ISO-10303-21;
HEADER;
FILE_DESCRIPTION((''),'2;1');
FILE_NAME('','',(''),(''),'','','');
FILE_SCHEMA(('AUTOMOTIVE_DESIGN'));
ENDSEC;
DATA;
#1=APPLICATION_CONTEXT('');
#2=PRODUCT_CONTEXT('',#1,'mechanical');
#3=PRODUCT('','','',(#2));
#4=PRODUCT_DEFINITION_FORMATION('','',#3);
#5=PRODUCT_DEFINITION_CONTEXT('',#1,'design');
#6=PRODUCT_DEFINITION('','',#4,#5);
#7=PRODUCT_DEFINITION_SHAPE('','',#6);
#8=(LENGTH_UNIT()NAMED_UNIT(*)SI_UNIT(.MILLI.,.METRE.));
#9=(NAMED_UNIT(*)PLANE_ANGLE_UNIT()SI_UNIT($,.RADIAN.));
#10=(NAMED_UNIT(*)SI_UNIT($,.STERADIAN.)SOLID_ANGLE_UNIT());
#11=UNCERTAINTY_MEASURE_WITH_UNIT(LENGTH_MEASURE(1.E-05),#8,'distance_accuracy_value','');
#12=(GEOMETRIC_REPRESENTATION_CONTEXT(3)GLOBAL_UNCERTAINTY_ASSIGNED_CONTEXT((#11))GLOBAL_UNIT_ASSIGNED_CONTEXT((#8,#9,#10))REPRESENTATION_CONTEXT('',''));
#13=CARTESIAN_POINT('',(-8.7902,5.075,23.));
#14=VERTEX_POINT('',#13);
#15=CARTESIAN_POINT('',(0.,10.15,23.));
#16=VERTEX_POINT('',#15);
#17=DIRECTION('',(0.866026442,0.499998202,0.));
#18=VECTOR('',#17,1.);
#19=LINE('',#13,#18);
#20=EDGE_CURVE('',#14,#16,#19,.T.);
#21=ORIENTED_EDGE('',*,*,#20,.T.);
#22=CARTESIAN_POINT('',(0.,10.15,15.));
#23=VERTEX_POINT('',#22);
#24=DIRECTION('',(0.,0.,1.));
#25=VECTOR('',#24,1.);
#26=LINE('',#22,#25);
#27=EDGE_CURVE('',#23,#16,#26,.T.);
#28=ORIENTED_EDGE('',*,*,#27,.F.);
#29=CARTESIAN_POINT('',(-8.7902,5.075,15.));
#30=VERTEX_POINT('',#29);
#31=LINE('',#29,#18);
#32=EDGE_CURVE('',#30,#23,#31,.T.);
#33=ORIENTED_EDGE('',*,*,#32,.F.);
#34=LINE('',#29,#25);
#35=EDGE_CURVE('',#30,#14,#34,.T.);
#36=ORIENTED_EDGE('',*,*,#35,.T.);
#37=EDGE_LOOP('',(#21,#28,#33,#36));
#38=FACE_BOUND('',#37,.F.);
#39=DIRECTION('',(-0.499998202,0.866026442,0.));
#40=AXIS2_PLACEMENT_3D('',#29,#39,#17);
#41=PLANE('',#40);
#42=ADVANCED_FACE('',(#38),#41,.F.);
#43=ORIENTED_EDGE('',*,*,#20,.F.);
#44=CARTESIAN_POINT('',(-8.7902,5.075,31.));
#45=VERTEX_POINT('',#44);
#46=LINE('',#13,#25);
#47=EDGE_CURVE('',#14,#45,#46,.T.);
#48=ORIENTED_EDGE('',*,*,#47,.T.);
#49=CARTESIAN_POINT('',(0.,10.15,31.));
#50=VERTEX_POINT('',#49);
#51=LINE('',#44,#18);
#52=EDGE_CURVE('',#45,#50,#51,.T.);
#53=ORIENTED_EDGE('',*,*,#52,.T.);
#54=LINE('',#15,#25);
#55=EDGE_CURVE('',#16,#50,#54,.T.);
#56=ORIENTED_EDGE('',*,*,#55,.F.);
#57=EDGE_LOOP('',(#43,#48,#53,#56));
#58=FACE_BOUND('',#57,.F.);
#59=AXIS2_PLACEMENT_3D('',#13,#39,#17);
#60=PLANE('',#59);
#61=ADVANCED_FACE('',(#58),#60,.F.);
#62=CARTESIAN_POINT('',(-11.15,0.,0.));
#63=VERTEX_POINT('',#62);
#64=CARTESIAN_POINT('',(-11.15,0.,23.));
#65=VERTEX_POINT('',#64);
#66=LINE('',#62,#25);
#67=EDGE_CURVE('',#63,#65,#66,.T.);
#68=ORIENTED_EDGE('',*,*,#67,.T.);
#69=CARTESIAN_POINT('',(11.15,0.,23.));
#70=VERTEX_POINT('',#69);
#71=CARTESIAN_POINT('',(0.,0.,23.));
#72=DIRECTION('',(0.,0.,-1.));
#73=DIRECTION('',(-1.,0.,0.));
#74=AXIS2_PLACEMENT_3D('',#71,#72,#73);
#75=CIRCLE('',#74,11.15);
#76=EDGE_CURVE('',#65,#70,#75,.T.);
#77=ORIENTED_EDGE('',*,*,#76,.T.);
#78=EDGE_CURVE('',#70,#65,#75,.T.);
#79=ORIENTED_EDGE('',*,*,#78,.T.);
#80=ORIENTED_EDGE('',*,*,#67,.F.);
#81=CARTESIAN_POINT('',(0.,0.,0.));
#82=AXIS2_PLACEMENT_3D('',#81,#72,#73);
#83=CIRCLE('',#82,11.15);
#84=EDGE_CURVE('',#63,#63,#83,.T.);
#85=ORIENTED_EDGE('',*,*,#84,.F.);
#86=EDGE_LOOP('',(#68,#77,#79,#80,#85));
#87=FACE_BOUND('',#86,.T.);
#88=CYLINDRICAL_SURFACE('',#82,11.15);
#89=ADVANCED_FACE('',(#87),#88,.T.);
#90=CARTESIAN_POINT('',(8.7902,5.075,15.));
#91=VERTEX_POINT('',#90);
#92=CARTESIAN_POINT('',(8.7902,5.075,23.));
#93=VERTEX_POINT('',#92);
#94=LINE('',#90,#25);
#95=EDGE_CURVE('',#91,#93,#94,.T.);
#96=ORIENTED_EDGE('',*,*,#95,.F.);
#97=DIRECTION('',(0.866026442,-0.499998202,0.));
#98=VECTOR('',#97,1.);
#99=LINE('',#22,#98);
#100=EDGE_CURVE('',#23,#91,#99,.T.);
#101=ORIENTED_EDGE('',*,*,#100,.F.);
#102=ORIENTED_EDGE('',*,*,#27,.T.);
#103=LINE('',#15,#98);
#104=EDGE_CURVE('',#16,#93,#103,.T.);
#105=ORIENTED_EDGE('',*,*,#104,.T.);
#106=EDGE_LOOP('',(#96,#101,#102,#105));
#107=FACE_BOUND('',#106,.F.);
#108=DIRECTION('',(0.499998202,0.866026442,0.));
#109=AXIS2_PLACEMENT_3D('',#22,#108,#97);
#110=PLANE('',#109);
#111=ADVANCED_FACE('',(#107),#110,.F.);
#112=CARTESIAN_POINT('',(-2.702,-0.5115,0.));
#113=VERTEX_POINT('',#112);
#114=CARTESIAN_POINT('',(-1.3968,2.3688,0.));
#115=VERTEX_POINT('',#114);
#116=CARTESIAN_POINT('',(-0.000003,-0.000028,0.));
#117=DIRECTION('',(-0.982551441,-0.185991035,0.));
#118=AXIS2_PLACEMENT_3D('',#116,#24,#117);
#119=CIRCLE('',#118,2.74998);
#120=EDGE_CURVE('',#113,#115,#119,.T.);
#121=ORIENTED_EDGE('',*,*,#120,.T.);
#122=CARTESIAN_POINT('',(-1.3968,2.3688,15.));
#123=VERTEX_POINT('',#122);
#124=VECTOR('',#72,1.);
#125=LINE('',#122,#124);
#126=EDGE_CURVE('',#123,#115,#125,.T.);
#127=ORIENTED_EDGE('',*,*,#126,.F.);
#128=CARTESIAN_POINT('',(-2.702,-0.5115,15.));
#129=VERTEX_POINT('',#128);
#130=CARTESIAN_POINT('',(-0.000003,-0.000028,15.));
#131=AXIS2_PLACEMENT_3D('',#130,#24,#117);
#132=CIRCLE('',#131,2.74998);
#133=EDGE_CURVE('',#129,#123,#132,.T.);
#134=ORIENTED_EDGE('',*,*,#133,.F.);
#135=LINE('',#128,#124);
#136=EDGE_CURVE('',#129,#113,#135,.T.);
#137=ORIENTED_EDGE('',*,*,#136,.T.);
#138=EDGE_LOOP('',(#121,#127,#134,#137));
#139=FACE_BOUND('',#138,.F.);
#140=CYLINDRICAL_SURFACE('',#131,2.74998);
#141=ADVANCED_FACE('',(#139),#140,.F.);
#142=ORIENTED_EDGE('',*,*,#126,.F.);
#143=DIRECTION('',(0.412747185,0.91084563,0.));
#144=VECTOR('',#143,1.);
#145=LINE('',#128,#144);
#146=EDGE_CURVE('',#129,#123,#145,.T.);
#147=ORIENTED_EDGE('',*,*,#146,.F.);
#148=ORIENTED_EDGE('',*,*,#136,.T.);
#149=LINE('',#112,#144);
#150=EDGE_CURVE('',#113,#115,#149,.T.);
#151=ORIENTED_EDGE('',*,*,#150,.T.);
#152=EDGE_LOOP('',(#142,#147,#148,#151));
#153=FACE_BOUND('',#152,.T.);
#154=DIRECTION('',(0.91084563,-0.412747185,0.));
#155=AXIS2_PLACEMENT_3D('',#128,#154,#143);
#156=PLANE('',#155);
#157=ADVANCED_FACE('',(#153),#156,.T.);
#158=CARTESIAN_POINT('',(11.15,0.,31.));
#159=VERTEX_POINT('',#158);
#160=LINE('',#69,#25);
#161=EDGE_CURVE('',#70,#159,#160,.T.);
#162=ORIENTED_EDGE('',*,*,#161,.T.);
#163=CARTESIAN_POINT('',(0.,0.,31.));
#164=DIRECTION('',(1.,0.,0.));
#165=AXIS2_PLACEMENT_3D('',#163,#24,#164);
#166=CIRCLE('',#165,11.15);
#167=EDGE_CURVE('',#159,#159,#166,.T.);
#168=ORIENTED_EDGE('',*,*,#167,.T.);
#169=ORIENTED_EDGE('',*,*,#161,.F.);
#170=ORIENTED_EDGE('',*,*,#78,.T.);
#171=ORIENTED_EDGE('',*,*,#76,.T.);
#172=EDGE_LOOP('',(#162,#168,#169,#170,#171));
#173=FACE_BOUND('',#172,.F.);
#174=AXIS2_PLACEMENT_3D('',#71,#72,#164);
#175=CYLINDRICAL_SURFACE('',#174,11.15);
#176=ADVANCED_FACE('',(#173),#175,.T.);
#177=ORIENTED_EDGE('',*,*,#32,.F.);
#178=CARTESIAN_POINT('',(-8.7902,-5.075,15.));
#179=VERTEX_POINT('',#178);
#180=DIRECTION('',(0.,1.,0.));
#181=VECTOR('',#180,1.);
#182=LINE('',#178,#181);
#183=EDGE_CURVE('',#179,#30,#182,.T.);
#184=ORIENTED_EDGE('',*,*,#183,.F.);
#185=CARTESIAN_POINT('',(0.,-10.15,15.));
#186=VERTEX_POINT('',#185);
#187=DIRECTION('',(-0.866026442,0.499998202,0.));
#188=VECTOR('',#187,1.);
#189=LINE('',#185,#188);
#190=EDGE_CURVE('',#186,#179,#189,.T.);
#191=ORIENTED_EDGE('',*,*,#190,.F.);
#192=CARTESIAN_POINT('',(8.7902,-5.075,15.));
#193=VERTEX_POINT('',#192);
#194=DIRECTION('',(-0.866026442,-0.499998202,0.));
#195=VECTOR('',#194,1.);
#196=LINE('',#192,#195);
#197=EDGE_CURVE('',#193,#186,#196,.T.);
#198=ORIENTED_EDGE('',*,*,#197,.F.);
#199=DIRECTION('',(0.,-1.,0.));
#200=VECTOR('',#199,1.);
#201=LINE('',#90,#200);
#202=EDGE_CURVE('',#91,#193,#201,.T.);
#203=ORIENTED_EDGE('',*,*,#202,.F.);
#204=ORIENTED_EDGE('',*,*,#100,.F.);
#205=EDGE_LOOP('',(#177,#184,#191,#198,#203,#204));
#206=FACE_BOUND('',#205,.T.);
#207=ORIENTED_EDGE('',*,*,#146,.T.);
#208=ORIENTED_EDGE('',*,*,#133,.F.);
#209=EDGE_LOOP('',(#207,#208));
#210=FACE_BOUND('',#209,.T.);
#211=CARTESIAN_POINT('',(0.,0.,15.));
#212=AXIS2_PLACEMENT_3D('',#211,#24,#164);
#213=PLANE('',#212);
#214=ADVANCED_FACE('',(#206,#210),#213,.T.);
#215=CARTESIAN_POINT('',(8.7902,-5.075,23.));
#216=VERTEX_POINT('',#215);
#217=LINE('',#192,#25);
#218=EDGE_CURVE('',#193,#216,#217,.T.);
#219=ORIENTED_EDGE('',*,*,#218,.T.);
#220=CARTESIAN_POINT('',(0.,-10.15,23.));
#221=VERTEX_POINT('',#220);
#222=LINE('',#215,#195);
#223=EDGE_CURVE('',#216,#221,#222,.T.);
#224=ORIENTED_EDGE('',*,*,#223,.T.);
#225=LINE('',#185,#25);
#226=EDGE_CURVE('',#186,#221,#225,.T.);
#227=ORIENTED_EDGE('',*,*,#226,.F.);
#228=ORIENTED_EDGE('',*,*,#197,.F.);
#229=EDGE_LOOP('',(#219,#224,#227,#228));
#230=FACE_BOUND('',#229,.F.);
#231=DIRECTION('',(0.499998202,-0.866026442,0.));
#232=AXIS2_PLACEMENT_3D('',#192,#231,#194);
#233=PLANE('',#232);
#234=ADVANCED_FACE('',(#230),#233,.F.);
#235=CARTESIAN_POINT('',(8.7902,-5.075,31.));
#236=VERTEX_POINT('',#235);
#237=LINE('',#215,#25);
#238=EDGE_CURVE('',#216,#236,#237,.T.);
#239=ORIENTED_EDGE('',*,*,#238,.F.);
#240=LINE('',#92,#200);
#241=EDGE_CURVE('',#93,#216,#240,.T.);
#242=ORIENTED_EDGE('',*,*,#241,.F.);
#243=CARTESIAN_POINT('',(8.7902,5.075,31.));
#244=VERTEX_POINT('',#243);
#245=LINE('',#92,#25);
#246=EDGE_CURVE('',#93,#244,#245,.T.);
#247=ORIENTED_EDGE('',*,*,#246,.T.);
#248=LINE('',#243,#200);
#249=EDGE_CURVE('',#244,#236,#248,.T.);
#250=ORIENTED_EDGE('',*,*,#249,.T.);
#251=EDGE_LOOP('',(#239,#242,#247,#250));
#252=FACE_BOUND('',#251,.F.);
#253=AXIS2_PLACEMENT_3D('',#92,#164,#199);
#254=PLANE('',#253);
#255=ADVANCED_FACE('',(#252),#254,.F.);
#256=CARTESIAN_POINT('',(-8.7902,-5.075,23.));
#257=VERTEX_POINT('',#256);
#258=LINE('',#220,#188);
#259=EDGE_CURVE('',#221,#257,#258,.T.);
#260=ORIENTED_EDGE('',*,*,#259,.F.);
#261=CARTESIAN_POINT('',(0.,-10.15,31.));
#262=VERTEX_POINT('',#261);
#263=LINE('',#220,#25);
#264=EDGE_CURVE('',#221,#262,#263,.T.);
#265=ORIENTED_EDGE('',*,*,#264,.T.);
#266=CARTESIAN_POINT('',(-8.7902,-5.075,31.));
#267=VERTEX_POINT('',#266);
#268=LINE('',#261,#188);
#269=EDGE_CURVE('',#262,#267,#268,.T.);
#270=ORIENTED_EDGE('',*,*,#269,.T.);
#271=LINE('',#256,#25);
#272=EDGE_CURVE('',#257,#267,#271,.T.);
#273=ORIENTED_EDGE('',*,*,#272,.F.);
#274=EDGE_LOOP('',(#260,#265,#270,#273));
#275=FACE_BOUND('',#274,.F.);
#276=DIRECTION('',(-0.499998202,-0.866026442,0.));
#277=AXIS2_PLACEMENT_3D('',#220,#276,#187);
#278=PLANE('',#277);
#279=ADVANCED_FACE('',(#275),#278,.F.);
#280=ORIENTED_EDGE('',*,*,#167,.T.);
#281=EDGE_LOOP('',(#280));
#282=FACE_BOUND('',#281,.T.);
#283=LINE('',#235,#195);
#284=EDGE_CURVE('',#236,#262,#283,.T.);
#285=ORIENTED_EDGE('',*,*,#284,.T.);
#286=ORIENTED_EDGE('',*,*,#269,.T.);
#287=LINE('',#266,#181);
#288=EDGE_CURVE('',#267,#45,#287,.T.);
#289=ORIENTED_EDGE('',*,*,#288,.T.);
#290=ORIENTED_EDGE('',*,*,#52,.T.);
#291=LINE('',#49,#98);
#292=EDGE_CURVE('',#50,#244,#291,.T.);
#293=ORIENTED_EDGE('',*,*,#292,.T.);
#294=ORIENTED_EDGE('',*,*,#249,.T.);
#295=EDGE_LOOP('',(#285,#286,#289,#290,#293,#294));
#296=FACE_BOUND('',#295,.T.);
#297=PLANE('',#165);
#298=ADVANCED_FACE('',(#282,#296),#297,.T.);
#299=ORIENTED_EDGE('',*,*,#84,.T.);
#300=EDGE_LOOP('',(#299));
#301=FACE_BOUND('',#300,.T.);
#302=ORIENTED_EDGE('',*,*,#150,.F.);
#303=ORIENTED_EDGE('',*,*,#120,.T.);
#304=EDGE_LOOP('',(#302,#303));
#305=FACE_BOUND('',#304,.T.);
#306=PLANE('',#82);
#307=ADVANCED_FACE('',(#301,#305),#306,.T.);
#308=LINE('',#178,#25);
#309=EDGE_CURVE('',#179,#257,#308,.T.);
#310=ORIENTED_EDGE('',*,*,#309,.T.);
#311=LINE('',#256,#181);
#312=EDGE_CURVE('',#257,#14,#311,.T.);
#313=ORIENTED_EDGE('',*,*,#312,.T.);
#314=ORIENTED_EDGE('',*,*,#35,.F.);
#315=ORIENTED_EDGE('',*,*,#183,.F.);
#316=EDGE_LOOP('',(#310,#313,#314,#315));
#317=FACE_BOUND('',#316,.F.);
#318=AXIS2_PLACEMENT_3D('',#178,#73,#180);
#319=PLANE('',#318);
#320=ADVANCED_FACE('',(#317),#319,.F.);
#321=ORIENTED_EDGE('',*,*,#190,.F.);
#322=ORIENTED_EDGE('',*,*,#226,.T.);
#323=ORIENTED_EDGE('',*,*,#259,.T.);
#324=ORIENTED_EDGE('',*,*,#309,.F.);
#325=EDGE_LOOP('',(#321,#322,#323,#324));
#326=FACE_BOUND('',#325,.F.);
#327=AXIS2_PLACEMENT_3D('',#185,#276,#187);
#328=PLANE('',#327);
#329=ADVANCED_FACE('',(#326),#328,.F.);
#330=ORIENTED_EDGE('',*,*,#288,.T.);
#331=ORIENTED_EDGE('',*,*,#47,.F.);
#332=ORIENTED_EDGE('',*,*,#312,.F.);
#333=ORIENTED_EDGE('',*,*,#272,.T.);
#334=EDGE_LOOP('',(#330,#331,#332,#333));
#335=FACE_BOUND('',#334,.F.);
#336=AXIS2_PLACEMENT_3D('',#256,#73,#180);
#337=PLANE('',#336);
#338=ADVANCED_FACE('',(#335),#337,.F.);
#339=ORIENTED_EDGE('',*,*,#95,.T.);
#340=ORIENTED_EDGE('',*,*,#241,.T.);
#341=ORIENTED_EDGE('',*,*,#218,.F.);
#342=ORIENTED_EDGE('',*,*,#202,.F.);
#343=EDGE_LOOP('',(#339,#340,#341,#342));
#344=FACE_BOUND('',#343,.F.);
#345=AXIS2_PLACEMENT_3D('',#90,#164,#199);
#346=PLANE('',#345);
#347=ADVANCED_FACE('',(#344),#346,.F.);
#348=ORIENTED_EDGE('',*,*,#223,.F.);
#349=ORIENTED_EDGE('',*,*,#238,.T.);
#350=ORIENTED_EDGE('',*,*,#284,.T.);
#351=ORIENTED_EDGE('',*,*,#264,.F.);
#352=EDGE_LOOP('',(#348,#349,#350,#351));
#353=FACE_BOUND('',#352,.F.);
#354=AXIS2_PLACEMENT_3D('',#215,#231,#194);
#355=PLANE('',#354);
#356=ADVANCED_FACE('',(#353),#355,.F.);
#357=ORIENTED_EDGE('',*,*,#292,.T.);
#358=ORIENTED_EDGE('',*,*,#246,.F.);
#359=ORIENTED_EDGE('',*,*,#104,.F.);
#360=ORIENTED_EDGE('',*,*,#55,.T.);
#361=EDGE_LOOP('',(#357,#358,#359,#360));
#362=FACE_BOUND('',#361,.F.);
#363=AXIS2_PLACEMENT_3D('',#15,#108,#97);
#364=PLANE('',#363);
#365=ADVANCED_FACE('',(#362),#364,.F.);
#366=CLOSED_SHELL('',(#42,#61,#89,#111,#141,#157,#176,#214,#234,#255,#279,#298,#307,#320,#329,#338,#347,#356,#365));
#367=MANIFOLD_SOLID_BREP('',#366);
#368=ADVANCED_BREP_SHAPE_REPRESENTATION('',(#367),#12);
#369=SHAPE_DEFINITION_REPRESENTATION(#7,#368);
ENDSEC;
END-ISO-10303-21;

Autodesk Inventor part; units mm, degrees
ref_plane "YZ Plane" through (0, 0, 0) normal (1, 0, 0) x (0, 1, 0)
ref_plane "XZ Plane" through (0, 0, 0) normal (0, 1, 0) x (-1, 0, 0)
sketch "Sketch1" plane through (0, 0, 0) normal (0, 0, 1) x (1, 0, 0)
  line L0 (-2.4408, -0.5408) -> (-1.2026, 2.1918) projected
  arc A0 (-2.4408, -0.5408) -> (-1.2026, 2.1918) centre (0, 0) ccw projected
  circle A1 centre (0, 0) radius 3.5
  line L1 (-3.6608, -0.2297) -> (-3.4925, -0.2297)
  line L2 (-3.4925, 0.2297) -> (-3.6608, 0.2297)
  line L3 (-3.6608, 0.2297) -> (-3.6608, -0.2297)
  line L4 (-3.6608, -0.2297) -> (-3.5, 0) construction
  line L5 (-3.5, 0) -> (-3.6608, 0.2297) construction
  point P0 (0, 0)
  dimension "d0" = 7
ref_plane "Work Plane1" through (-2, -2, 15) normal (0, 0, 1) x (1, 0, 0)
extrude "Extrusion1" add sketch "Sketch1" along normal up to surface (15 mm away) contours A1
sketch "Sketch2" plane through (0, 0, 15) normal (0, 0, 1) x (1, 0, 0)
  arc A0 (-2.4408, -0.5408) -> (-1.2026, 2.1918) centre (0, 0) ccw projected
  line L0 (-1.2026, 2.1918) -> (-2.4408, -0.5408) projected
  circle A1 centre (0, 0) radius 3.5 projected
  arc A2 (-2.702, -0.5115) -> (-1.3968, 2.3688) centre (0, 0) ccw
  line L1 (-2.702, -0.5115) -> (-1.3968, 2.3688)
  point P0 (0, 0)
  dimension "d9" = 0.25
extrude "Extrusion2" cut sketch "Sketch2" against normal up to surface (15 mm away) contours L1 A2
sketch "Sketch6" plane through (0, 0, 15) normal (0, 0, 1) x (1, 0, 0)
  circle A0 centre (0, 0) radius 10.15
  line L0 (0, 10.15) -> (8.7902, 5.075)
  line L1 (8.7902, 5.075) -> (8.7902, -5.075)
  line L2 (8.7902, -5.075) -> (0, -10.15)
  line L3 (0, -10.15) -> (-8.7902, -5.075)
  line L4 (-8.7902, -5.075) -> (-8.7902, 5.075)
  line L5 (-8.7902, 5.075) -> (0, 10.15)
  arc A1 (-2.702, -0.5115) -> (-1.3968, 2.3688) centre (0, 0) ccw projected
  line L6 (-1.3968, 2.3688) -> (-2.702, -0.5115) projected
  circle A2 centre (0, 0) radius 3.5 projected
  point P0 (0, -10.15)
  point P1 (0, -10.15)
  dimension "d20" = 20.3
extrude "Extrusion5" add sketch "Sketch6" along normal blind 8 contours A0 L1 | L0 A0 | A0 L2 | L5 A0 | A0 L3 | L4 A0
extrude "Extrusion6" add sketch "Sketch6" against normal up to surface (15 mm away) contours A0 L1 | L0 A0 | L1 L2 L3 L4 L5 L0 | A0 L2 | L5 A0 | A0 L3 | L4 A0
sketch "Sketch7" plane through (0, 0, 0) normal (0, 0, -1) x (-1, 0, 0)
  circle A0 centre (0, 0) radius 10.15 projected
  arc A1 (1.3968, 2.3688) -> (2.702, -0.5115) centre (0, 0) ccw projected
  line L0 (1.3968, 2.3688) -> (2.702, -0.5115) projected
  circle A2 centre (0, 0) radius 11.15
  dimension "d25" = 1
extrude "Extrusion7" add sketch "Sketch7" against normal up to surface (23 mm away) contours A2
sketch "Sketch8" plane through (0, 0, 23) normal (0, 0, 1) x (1, 0, 0)
  circle A0 centre (0, 0) radius 11.15 projected
  line L0 (-8.7902, -5.075) -> (-8.7902, 5.075) projected
  line L1 (-8.7902, 5.075) -> (0, 10.15) projected
  line L2 (0, 10.15) -> (8.7902, 5.075) projected
  line L3 (8.7902, 5.075) -> (8.7902, -5.075) projected
  line L4 (8.7902, -5.075) -> (0, -10.15) projected
  line L5 (0, -10.15) -> (-8.7902, -5.075) projected
  point P0 (0, 0)
extrude "Extrusion8" add sketch "Sketch8" along normal blind 8
properties part number "RodMotorMount"
